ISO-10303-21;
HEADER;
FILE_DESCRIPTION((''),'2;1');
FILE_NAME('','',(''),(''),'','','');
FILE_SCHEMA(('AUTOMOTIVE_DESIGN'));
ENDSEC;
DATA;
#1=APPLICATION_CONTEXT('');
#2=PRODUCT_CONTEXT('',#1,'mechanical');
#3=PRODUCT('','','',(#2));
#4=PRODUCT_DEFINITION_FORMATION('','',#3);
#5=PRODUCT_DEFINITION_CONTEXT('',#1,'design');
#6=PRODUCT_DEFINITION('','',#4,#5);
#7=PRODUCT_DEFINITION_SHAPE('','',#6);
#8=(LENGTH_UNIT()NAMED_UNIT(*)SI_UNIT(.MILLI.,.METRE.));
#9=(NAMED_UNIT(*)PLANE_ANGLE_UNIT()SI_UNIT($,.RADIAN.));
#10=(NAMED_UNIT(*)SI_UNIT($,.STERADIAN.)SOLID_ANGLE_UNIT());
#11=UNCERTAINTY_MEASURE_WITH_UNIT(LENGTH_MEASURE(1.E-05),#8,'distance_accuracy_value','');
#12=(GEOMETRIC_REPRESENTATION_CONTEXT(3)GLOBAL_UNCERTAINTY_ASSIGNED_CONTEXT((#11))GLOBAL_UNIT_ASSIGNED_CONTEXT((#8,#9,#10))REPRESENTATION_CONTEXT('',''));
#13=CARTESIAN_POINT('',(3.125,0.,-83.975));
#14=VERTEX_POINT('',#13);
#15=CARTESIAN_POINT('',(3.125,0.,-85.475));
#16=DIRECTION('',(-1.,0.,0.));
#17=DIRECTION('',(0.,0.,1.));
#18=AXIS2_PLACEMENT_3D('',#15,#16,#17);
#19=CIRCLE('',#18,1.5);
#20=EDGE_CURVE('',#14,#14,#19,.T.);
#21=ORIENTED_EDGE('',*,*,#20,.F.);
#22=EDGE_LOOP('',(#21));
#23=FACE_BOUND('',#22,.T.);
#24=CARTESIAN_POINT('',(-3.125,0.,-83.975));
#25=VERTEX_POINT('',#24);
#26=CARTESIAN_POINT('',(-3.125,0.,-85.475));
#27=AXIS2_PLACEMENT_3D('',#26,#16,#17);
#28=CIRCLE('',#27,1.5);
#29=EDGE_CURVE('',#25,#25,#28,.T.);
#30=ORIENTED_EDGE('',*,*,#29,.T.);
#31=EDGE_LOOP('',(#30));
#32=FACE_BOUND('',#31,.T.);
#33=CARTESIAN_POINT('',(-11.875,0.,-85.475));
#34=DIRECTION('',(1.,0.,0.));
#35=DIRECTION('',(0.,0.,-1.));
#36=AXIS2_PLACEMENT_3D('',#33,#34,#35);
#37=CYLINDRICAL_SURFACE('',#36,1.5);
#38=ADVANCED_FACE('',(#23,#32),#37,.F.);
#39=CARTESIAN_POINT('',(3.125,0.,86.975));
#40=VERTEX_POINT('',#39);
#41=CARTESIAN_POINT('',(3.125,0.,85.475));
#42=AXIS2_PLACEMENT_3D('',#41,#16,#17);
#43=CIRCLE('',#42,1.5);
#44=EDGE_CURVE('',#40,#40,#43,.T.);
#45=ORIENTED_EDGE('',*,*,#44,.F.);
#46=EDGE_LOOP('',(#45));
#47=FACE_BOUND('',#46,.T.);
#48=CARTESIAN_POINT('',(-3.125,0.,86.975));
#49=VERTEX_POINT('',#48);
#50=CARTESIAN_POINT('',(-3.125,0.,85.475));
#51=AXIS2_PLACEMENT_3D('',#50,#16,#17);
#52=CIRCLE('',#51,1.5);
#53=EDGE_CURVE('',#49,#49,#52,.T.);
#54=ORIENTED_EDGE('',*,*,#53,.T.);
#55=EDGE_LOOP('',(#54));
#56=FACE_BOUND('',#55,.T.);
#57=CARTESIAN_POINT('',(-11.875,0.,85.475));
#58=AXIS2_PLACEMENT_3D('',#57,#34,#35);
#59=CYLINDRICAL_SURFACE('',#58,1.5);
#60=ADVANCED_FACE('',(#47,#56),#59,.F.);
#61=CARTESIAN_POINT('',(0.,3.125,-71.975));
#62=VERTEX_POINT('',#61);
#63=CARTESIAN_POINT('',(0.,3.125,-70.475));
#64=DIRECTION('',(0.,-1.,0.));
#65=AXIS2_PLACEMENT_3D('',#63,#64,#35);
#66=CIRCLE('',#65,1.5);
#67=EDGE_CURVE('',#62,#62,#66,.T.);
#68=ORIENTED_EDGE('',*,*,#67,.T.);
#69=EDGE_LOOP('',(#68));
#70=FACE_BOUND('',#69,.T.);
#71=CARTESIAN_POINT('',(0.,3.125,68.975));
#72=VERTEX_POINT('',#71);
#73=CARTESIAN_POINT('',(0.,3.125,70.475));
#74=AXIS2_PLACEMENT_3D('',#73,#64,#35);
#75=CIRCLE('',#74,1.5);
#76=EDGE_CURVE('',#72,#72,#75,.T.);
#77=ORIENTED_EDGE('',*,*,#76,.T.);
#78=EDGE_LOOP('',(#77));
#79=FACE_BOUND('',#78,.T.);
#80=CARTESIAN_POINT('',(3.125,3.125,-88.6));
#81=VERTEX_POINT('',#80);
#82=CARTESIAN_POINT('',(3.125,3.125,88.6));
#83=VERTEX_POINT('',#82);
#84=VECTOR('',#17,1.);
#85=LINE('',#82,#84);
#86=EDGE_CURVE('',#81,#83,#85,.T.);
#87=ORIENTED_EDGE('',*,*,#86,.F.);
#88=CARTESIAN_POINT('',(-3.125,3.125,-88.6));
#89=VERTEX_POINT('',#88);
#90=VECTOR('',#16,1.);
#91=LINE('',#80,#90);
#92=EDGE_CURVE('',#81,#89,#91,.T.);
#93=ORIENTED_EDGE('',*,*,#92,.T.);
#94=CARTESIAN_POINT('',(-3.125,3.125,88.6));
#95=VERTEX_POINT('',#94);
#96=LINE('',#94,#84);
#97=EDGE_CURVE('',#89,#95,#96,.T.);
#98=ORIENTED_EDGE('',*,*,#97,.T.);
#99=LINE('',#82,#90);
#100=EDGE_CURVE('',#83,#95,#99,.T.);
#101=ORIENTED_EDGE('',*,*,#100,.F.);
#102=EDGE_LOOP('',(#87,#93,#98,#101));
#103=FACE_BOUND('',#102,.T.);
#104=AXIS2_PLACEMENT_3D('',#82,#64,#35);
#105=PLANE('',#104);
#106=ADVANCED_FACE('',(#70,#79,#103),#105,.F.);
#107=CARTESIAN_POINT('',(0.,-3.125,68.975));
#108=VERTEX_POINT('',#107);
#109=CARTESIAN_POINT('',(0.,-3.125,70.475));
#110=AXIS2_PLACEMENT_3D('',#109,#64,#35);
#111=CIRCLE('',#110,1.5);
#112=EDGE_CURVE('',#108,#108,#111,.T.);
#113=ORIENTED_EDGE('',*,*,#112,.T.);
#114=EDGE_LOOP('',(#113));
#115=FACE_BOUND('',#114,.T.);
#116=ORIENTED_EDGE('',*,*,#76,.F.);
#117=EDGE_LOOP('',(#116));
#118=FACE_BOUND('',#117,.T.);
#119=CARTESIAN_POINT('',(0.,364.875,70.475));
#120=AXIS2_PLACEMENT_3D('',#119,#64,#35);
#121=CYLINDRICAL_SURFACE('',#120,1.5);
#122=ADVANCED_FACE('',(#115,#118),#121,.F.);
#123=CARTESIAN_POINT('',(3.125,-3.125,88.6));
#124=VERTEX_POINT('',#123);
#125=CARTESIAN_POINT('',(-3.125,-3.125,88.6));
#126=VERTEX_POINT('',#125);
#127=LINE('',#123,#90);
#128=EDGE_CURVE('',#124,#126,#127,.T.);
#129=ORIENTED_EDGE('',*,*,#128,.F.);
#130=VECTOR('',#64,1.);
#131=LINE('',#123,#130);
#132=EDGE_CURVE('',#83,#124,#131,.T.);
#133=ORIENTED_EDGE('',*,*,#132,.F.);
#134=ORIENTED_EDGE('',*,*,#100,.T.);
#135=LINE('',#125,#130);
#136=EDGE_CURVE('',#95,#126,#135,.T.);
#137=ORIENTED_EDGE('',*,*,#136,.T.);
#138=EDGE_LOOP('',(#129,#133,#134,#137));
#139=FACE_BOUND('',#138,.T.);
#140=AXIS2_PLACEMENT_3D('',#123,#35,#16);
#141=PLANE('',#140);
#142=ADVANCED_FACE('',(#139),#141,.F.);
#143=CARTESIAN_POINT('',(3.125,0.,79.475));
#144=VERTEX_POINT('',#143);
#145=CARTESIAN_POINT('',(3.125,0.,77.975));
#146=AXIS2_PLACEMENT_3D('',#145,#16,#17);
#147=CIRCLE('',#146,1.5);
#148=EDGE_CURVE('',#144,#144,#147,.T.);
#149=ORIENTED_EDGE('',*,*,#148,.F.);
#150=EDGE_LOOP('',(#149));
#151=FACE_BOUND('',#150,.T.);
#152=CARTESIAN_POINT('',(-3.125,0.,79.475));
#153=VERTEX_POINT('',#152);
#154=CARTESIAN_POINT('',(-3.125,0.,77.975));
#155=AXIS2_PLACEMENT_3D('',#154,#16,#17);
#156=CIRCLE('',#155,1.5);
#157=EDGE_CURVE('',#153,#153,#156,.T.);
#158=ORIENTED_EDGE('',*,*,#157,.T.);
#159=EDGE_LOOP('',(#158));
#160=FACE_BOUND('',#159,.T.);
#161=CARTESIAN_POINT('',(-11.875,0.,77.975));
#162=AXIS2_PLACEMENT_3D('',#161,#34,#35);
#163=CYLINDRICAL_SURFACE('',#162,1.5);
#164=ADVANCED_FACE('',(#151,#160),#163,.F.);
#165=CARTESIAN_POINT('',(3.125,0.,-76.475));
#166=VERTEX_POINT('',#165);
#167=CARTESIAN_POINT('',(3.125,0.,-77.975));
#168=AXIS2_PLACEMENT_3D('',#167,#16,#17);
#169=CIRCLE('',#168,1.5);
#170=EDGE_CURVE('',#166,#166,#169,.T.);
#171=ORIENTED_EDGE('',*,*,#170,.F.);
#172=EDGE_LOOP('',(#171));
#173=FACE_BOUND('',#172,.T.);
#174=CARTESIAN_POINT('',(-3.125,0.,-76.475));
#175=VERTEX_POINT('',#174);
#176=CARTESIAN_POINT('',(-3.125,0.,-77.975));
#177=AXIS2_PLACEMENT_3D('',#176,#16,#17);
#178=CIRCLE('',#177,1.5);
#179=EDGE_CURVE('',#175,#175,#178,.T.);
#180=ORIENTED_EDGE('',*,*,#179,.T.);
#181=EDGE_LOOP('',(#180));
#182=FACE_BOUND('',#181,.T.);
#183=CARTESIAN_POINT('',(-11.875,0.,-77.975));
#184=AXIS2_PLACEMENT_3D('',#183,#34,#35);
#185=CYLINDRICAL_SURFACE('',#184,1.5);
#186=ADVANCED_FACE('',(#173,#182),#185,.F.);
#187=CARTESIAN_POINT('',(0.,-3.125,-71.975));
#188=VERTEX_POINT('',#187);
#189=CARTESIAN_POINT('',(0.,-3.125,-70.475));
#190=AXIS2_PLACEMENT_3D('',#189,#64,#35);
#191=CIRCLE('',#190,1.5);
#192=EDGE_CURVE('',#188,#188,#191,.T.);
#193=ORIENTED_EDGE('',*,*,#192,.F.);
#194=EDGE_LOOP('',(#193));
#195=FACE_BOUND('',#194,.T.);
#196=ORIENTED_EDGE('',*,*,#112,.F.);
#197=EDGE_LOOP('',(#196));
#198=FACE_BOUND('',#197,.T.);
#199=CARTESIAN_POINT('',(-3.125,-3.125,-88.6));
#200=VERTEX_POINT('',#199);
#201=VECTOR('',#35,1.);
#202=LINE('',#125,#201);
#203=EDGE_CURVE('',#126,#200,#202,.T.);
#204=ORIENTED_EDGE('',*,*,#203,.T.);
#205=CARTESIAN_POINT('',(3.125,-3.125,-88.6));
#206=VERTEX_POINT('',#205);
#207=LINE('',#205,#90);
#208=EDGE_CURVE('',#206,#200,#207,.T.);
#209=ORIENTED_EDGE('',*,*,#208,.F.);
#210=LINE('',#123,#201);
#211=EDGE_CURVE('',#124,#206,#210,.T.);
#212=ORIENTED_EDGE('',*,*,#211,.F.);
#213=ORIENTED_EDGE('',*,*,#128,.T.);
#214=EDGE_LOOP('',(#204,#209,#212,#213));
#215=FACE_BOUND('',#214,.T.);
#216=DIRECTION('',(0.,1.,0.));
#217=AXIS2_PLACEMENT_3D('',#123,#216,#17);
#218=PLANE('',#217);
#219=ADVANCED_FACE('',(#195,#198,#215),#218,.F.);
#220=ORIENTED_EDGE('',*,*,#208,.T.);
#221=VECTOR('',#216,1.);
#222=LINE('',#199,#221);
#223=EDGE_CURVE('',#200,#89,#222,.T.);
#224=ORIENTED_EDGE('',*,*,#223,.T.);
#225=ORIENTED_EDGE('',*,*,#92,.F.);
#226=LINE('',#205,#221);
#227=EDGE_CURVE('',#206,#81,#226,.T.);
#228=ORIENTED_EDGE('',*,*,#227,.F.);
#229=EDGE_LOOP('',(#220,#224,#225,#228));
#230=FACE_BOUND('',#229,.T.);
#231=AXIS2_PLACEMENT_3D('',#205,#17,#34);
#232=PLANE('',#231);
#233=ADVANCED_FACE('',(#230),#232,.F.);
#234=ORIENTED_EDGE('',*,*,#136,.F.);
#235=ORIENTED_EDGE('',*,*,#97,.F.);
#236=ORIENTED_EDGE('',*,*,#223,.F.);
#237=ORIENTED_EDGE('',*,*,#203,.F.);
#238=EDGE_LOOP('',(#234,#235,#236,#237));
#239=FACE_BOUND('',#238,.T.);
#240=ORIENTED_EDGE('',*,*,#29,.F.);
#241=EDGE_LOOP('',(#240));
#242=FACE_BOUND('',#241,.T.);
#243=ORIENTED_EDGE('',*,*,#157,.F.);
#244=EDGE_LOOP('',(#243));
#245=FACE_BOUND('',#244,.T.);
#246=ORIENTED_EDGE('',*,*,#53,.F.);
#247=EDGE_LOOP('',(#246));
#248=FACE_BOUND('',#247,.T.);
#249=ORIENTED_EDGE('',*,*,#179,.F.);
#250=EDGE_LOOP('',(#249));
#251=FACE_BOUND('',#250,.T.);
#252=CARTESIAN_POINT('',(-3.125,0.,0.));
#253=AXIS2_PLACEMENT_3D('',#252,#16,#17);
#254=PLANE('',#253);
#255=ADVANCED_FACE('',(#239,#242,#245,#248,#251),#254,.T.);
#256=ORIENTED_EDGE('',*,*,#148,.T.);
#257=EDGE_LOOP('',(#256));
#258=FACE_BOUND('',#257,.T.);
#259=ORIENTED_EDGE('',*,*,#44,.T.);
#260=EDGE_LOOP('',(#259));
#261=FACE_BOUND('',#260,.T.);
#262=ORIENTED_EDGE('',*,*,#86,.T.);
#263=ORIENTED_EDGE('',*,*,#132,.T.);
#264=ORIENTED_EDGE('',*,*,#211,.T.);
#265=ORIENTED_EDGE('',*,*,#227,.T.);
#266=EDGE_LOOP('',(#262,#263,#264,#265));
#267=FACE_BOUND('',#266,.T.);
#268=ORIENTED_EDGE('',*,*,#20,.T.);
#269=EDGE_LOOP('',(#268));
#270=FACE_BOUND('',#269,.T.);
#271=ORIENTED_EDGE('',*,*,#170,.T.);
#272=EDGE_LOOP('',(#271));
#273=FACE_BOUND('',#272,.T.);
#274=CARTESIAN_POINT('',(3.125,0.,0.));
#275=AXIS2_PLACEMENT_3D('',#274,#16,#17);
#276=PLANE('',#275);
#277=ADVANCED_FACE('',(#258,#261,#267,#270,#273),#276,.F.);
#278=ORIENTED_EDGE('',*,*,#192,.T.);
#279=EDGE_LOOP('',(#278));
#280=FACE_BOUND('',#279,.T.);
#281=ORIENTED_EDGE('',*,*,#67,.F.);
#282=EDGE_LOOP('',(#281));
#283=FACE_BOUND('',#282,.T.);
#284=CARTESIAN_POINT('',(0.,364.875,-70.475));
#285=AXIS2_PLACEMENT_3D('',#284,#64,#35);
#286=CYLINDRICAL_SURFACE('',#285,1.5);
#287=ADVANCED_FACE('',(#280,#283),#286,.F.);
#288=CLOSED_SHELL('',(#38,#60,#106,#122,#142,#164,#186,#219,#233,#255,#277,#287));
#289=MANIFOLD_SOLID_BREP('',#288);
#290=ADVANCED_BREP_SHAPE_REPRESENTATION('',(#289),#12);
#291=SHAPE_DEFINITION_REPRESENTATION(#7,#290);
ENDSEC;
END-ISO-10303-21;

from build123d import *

# Parameters (mm, degrees)
CROQUIS1_W              = 177.2
CROQUIS1_H              = 6.25
SALIENTE_EXTRUIR1_DEPTH = 3.125
CROQUIS4_R              = 1.5
CORTAR_EXTRUIR1_DEPTH   = 15
CROQUIS5_R              = 1.5
CORTAR_EXTRUIR3_DEPTH   = 368


with BuildPart() as part:
    # Croquis1 → Saliente-Extruir1 (new, symmetric)
    with BuildSketch(Plane(origin=(0, 0, 0), x_dir=(0, 0, -1), z_dir=(1, 0, 0))):
        Rectangle(CROQUIS1_W, CROQUIS1_H)
    extrude(amount=SALIENTE_EXTRUIR1_DEPTH, both=True)

    # Croquis4 → Cortar-Extruir1 (cut, symmetric)
    with BuildSketch(Plane(origin=(3.125, 0, 0), x_dir=(0, 0, -1), z_dir=(1, 0, 0))):
        with Locations(Location((85.475, 0, 0), (0, 0, 180))):
            Circle(CROQUIS4_R)
        with Locations(Location((77.975, 0, 0), (0, 0, 180))):
            Circle(CROQUIS4_R)
        with Locations(Location((-85.475, 0, 0), (0, 0, 180))):
            Circle(CROQUIS4_R)
        with Locations(Location((-77.975, 0, 0), (0, 0, 180))):
            Circle(CROQUIS4_R)
    extrude(amount=CORTAR_EXTRUIR1_DEPTH, both=True, mode=Mode.SUBTRACT)

    # Croquis5 → Cortar-Extruir3 (cut)
    with BuildSketch(Plane.XZ.offset(3.125)):
        with Locations(Location((0, -70.475, 0), (0, 0, 270))):
            Circle(CROQUIS5_R)
        with Locations(Location((0, 70.475, 0), (0, 0, 270))):
            Circle(CROQUIS5_R)
    extrude(amount=-CORTAR_EXTRUIR3_DEPTH, mode=Mode.SUBTRACT)


solid = part.part
